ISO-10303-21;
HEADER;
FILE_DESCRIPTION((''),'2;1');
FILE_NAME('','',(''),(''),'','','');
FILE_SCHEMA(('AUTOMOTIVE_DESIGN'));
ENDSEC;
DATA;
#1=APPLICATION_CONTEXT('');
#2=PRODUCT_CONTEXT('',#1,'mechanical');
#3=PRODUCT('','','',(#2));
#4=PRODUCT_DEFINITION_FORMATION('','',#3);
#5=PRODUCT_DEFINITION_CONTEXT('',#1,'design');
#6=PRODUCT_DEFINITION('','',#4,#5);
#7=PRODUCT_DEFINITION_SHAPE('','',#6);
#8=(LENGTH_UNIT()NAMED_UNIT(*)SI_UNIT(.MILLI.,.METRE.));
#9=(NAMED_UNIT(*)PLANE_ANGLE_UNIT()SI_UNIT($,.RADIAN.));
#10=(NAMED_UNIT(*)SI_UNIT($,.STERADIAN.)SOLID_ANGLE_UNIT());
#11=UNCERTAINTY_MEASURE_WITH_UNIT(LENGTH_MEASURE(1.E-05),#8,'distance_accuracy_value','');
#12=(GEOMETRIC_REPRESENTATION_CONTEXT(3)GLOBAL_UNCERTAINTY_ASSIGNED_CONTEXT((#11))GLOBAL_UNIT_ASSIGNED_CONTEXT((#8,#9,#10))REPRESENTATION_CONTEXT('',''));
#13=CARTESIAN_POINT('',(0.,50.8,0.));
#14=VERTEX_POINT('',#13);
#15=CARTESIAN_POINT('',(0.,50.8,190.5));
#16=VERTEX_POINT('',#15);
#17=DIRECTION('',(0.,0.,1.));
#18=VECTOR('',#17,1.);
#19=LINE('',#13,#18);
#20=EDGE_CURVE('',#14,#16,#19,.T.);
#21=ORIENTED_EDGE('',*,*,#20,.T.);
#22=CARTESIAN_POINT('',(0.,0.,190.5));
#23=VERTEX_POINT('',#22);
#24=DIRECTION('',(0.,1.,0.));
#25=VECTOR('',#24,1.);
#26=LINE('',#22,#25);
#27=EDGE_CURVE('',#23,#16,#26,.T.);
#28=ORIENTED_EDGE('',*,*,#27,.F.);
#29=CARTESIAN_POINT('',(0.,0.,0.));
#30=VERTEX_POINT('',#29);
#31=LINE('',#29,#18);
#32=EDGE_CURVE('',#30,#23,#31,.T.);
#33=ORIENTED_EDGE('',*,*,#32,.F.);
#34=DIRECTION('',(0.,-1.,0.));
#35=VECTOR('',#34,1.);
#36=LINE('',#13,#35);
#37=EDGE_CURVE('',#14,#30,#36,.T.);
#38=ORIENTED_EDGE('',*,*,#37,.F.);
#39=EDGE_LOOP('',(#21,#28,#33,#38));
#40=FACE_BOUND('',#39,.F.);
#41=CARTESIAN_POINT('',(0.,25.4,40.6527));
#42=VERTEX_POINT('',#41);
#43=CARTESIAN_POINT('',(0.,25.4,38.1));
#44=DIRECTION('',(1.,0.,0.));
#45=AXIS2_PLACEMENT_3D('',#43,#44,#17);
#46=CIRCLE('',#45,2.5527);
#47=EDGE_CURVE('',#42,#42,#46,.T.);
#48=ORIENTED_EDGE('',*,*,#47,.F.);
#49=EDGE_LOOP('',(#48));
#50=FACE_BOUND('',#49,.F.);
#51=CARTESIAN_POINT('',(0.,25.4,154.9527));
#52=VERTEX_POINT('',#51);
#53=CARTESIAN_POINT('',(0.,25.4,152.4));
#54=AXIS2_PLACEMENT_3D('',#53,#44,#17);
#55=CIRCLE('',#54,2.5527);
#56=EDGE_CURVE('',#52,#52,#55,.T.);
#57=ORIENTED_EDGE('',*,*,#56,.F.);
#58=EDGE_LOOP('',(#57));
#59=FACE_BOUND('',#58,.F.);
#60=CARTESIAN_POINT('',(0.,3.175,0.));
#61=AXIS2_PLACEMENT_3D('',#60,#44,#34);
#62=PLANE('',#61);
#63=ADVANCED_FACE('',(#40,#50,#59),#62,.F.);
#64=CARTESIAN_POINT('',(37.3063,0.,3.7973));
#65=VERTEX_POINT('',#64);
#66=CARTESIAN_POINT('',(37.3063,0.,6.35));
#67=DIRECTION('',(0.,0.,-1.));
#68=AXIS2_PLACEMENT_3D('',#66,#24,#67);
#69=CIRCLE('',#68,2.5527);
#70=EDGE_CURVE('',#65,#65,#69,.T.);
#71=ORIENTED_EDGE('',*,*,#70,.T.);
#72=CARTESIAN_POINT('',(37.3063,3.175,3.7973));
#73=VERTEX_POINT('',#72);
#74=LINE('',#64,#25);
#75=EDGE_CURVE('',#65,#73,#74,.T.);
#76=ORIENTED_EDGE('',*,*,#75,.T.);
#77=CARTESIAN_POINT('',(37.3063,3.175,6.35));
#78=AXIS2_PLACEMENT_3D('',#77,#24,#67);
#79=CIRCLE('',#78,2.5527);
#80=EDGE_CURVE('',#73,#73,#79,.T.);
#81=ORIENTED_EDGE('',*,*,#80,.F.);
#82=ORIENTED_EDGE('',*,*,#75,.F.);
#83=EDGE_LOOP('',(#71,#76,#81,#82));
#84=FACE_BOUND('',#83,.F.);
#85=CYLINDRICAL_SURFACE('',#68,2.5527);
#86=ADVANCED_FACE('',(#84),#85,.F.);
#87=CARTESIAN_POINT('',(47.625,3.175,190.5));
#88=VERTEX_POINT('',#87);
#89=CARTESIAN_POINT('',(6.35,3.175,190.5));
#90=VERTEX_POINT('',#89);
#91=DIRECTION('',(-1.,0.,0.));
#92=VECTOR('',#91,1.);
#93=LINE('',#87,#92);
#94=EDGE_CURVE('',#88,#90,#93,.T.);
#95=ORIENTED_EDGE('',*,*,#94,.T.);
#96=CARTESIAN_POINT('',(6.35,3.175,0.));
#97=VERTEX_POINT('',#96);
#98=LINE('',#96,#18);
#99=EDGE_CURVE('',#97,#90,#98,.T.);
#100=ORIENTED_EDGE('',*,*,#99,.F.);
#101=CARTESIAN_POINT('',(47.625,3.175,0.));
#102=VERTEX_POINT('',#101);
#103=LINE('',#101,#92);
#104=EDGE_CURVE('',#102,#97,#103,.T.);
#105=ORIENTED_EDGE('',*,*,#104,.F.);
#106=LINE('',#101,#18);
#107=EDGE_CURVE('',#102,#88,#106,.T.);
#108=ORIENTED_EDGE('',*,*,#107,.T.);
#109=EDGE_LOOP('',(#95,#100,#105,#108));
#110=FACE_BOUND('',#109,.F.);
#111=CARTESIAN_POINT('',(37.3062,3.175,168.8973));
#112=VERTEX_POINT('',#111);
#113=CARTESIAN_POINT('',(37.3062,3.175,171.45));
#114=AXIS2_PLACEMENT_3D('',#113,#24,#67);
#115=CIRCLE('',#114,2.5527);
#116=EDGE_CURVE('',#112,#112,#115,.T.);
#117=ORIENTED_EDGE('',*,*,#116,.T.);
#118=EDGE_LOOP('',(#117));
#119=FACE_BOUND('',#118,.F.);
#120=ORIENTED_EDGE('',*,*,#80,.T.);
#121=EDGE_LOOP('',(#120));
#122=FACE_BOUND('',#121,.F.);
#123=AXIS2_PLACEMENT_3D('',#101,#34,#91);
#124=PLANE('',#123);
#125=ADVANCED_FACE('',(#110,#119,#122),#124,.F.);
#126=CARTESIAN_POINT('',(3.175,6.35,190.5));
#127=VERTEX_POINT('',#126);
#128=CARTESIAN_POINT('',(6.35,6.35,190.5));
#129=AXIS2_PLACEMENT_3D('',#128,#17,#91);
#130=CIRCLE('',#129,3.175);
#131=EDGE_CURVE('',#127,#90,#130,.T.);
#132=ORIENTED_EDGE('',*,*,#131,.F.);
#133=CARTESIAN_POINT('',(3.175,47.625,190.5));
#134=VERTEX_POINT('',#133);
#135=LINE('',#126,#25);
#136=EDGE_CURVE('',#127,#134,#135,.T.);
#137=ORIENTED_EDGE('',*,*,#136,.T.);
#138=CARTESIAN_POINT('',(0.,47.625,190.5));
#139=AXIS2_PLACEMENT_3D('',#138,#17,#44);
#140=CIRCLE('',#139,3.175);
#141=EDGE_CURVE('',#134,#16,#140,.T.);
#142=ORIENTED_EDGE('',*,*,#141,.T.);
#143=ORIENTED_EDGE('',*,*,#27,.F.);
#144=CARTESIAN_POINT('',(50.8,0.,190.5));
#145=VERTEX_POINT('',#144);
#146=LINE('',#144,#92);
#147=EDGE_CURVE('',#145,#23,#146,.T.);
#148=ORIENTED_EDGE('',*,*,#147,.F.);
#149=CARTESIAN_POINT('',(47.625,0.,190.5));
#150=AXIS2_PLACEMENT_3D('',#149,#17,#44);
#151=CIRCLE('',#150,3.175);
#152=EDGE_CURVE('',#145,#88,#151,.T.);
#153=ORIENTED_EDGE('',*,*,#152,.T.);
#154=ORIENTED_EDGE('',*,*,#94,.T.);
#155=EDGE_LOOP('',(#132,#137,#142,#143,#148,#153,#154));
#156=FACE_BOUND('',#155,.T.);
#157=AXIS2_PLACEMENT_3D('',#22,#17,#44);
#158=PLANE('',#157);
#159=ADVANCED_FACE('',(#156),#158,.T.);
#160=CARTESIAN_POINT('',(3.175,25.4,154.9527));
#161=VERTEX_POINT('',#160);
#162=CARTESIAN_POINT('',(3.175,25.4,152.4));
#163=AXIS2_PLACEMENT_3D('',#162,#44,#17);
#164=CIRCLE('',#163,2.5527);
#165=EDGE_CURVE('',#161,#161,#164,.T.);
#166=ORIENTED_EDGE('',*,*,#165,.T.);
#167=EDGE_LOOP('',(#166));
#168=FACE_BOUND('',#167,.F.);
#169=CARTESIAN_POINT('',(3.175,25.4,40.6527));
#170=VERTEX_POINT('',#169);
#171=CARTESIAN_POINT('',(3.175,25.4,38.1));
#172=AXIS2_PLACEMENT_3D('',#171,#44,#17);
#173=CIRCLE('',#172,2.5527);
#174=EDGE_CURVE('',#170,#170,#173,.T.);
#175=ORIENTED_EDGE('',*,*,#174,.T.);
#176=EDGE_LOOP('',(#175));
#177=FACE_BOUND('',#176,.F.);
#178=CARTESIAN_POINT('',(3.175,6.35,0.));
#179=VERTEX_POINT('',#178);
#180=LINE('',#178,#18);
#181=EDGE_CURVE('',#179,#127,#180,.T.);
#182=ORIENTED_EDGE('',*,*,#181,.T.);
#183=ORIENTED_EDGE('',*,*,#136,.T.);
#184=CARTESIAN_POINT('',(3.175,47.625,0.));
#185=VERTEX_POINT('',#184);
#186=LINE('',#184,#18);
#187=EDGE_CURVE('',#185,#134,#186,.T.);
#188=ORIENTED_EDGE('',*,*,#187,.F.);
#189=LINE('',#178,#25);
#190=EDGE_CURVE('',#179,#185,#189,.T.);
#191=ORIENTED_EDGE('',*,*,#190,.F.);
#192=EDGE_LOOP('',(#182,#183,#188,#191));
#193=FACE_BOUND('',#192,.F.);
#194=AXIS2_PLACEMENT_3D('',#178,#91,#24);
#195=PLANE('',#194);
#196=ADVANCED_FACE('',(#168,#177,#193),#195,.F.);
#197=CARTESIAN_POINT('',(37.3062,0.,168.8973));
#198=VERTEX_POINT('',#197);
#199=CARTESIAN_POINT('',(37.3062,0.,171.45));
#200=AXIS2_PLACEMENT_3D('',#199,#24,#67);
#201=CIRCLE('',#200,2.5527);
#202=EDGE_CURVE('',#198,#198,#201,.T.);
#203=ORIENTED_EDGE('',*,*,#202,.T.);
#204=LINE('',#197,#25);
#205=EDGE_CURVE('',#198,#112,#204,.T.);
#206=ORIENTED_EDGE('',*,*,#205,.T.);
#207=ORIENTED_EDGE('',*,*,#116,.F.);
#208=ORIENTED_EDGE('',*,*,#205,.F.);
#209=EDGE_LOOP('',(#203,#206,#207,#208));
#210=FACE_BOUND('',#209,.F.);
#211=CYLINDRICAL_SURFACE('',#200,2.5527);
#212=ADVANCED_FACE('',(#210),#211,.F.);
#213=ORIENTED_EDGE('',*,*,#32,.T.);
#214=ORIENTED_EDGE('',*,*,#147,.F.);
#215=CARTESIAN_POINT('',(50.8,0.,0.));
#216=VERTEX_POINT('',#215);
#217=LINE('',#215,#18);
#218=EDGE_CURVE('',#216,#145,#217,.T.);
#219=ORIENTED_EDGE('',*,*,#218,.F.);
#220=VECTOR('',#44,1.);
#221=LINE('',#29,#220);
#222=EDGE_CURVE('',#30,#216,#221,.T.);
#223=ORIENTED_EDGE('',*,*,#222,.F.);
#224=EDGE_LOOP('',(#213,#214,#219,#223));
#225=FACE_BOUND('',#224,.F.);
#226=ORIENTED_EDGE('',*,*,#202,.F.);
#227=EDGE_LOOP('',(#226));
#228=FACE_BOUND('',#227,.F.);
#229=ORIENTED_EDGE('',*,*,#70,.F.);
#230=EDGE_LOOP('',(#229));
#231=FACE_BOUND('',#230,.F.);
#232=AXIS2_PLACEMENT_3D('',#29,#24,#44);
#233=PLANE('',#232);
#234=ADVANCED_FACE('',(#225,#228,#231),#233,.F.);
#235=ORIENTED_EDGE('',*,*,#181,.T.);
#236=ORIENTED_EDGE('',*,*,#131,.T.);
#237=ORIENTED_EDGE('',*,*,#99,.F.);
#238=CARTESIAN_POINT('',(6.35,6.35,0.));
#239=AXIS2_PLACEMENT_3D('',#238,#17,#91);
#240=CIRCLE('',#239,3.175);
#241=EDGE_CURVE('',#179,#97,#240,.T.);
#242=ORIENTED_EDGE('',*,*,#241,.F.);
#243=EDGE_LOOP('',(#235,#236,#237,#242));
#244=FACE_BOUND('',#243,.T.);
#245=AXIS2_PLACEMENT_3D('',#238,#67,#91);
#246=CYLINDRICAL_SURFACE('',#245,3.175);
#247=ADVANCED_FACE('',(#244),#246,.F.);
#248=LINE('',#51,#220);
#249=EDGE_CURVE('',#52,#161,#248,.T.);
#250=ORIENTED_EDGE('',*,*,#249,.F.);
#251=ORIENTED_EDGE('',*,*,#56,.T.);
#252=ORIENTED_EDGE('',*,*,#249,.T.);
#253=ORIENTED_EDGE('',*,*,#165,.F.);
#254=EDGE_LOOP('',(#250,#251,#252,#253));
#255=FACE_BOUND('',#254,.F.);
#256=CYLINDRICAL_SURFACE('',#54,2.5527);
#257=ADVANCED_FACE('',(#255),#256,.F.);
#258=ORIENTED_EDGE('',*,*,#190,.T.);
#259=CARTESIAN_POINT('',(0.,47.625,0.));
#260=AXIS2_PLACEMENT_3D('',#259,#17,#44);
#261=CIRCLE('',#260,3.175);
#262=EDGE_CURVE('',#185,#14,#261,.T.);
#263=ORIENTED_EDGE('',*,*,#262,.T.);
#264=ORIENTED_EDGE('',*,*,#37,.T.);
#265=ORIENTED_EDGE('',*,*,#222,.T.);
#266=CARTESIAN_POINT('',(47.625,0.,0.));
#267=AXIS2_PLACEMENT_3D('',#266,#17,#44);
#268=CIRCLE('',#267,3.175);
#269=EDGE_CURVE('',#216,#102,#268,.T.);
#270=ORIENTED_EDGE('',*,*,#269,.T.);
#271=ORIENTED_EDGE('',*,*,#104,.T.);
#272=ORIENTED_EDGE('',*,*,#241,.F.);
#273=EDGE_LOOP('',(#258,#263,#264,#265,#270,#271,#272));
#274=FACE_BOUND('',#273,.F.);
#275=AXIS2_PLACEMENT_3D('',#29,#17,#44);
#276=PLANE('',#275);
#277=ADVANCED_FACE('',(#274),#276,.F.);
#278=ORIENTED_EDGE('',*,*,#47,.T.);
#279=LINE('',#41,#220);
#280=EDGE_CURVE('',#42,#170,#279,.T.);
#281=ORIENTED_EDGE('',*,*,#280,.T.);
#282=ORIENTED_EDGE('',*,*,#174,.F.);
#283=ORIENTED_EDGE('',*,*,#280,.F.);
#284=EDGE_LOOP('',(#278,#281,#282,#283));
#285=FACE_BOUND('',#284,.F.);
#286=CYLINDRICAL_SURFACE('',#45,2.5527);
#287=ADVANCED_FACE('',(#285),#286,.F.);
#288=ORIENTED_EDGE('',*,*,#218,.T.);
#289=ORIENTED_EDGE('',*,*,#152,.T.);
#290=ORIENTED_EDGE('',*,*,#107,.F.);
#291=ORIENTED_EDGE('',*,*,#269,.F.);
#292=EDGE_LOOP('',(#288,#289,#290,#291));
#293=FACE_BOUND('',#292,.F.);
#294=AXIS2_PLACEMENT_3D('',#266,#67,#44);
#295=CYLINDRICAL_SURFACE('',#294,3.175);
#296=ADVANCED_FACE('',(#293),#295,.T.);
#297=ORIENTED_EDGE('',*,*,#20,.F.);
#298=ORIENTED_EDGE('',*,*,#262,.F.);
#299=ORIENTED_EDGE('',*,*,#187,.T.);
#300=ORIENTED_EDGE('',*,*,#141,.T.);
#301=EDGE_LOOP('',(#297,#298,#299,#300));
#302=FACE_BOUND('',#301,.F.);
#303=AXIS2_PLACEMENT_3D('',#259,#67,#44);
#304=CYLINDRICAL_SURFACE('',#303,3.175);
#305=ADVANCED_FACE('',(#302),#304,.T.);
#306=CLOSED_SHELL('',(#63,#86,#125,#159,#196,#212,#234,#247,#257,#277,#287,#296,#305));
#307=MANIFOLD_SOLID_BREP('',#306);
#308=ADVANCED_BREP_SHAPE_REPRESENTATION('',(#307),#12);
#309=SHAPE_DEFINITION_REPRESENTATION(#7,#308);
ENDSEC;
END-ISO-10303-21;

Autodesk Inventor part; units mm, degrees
ref_plane "YZ Plane" through (0, 0, 0) normal (1, 0, 0) x (0, 1, 0)
ref_plane "XZ Plane" through (0, 0, 0) normal (0, 1, 0) x (-1, 0, 0)
ref_plane "XY Plane" through (0, 0, 0) normal (0, 0, 1) x (1, 0, 0)
sketch "Sketch1" plane through (0, 0, 0) normal (0, 0, 1) x (1, 0, 0)
  line L0 (0, 0) -> (3.175, 0)
  line L1 (3.175, 6.35) -> (3.175, 47.625)
  line L2 (0, 50.8) -> (0, 50.8)
  line L3 (0, 50.8) -> (0, 0)
  line L4 (0, 0) -> (50.8, 0)
  line L5 (50.8, 0) -> (50.8, 0)
  line L6 (47.625, 3.175) -> (6.35, 3.175)
  line L7 (0, 3.175) -> (0, 0)
  arc A0 (3.175, 6.35) -> (6.35, 3.175) centre (6.35, 6.35) ccw
  arc A1 (50.8, 0) -> (47.625, 3.175) centre (47.625, 0) ccw
  arc A2 (3.175, 47.625) -> (0, 50.8) centre (0, 47.625) ccw
  point P0 (3.175, 50.8)
  dimension "d0" = 3.175
  dimension "d1" = 50.8
  dimension "d2" = 3.175
  dimension "d3" = 3.175
extrude "Bracket" add sketch "Sketch1" along normal blind 190.5
sketch "Sketch2" plane through (0, 0, 0) normal (-1, 0, 0) x (0, 0, 1)
  line L0 (0, 50.8) -> (190.5, 50.8) projected
  line L1 (0, 50.8) -> (0, 0) projected
  line L2 (0, 0) -> (190.5, 0) projected
  line L3 (38.1, 25.4) -> (152.4, 25.4)
  dimension "d6" = 114.3
  dimension "d7" = 38.1
  dimension "d8" = 25.4
hole "Mounting Holes" at (0, 25.4, 38.1) at (0, 25.4, 152.4) direction (1, 0, 0) diameter 5.1054 end through all clearance for "Flat Head Machine Screw (82)" size "#10" standard "Ansi Unified Screw Threads"
sketch "Sketch3" plane through (0, 0, 0) normal (0, -1, 0) x (1, 0, 0)
  line L0 (50.8, 190.5) -> (0, 190.5) projected
  line L1 (0, 0) -> (0, 190.5) projected
  line L2 (50.8, 0) -> (50.8, 190.5) projected
  line L3 (37.3062, 171.45) -> (37.3063, 6.35)
  dimension "d16" = 37.3062
  dimension "d17" = 19.05
  dimension "d25" = 165.1
hole "cRIO Holes" at (37.3062, 0, 171.45) at (37.3063, 0, 6.35) direction (0, 1, 0) diameter 5.1054 end through all clearance for "Flat Head Machine Screw (82)" size "#10" standard "Ansi Unified Screw Threads"
properties part number "cRIO bracket"
